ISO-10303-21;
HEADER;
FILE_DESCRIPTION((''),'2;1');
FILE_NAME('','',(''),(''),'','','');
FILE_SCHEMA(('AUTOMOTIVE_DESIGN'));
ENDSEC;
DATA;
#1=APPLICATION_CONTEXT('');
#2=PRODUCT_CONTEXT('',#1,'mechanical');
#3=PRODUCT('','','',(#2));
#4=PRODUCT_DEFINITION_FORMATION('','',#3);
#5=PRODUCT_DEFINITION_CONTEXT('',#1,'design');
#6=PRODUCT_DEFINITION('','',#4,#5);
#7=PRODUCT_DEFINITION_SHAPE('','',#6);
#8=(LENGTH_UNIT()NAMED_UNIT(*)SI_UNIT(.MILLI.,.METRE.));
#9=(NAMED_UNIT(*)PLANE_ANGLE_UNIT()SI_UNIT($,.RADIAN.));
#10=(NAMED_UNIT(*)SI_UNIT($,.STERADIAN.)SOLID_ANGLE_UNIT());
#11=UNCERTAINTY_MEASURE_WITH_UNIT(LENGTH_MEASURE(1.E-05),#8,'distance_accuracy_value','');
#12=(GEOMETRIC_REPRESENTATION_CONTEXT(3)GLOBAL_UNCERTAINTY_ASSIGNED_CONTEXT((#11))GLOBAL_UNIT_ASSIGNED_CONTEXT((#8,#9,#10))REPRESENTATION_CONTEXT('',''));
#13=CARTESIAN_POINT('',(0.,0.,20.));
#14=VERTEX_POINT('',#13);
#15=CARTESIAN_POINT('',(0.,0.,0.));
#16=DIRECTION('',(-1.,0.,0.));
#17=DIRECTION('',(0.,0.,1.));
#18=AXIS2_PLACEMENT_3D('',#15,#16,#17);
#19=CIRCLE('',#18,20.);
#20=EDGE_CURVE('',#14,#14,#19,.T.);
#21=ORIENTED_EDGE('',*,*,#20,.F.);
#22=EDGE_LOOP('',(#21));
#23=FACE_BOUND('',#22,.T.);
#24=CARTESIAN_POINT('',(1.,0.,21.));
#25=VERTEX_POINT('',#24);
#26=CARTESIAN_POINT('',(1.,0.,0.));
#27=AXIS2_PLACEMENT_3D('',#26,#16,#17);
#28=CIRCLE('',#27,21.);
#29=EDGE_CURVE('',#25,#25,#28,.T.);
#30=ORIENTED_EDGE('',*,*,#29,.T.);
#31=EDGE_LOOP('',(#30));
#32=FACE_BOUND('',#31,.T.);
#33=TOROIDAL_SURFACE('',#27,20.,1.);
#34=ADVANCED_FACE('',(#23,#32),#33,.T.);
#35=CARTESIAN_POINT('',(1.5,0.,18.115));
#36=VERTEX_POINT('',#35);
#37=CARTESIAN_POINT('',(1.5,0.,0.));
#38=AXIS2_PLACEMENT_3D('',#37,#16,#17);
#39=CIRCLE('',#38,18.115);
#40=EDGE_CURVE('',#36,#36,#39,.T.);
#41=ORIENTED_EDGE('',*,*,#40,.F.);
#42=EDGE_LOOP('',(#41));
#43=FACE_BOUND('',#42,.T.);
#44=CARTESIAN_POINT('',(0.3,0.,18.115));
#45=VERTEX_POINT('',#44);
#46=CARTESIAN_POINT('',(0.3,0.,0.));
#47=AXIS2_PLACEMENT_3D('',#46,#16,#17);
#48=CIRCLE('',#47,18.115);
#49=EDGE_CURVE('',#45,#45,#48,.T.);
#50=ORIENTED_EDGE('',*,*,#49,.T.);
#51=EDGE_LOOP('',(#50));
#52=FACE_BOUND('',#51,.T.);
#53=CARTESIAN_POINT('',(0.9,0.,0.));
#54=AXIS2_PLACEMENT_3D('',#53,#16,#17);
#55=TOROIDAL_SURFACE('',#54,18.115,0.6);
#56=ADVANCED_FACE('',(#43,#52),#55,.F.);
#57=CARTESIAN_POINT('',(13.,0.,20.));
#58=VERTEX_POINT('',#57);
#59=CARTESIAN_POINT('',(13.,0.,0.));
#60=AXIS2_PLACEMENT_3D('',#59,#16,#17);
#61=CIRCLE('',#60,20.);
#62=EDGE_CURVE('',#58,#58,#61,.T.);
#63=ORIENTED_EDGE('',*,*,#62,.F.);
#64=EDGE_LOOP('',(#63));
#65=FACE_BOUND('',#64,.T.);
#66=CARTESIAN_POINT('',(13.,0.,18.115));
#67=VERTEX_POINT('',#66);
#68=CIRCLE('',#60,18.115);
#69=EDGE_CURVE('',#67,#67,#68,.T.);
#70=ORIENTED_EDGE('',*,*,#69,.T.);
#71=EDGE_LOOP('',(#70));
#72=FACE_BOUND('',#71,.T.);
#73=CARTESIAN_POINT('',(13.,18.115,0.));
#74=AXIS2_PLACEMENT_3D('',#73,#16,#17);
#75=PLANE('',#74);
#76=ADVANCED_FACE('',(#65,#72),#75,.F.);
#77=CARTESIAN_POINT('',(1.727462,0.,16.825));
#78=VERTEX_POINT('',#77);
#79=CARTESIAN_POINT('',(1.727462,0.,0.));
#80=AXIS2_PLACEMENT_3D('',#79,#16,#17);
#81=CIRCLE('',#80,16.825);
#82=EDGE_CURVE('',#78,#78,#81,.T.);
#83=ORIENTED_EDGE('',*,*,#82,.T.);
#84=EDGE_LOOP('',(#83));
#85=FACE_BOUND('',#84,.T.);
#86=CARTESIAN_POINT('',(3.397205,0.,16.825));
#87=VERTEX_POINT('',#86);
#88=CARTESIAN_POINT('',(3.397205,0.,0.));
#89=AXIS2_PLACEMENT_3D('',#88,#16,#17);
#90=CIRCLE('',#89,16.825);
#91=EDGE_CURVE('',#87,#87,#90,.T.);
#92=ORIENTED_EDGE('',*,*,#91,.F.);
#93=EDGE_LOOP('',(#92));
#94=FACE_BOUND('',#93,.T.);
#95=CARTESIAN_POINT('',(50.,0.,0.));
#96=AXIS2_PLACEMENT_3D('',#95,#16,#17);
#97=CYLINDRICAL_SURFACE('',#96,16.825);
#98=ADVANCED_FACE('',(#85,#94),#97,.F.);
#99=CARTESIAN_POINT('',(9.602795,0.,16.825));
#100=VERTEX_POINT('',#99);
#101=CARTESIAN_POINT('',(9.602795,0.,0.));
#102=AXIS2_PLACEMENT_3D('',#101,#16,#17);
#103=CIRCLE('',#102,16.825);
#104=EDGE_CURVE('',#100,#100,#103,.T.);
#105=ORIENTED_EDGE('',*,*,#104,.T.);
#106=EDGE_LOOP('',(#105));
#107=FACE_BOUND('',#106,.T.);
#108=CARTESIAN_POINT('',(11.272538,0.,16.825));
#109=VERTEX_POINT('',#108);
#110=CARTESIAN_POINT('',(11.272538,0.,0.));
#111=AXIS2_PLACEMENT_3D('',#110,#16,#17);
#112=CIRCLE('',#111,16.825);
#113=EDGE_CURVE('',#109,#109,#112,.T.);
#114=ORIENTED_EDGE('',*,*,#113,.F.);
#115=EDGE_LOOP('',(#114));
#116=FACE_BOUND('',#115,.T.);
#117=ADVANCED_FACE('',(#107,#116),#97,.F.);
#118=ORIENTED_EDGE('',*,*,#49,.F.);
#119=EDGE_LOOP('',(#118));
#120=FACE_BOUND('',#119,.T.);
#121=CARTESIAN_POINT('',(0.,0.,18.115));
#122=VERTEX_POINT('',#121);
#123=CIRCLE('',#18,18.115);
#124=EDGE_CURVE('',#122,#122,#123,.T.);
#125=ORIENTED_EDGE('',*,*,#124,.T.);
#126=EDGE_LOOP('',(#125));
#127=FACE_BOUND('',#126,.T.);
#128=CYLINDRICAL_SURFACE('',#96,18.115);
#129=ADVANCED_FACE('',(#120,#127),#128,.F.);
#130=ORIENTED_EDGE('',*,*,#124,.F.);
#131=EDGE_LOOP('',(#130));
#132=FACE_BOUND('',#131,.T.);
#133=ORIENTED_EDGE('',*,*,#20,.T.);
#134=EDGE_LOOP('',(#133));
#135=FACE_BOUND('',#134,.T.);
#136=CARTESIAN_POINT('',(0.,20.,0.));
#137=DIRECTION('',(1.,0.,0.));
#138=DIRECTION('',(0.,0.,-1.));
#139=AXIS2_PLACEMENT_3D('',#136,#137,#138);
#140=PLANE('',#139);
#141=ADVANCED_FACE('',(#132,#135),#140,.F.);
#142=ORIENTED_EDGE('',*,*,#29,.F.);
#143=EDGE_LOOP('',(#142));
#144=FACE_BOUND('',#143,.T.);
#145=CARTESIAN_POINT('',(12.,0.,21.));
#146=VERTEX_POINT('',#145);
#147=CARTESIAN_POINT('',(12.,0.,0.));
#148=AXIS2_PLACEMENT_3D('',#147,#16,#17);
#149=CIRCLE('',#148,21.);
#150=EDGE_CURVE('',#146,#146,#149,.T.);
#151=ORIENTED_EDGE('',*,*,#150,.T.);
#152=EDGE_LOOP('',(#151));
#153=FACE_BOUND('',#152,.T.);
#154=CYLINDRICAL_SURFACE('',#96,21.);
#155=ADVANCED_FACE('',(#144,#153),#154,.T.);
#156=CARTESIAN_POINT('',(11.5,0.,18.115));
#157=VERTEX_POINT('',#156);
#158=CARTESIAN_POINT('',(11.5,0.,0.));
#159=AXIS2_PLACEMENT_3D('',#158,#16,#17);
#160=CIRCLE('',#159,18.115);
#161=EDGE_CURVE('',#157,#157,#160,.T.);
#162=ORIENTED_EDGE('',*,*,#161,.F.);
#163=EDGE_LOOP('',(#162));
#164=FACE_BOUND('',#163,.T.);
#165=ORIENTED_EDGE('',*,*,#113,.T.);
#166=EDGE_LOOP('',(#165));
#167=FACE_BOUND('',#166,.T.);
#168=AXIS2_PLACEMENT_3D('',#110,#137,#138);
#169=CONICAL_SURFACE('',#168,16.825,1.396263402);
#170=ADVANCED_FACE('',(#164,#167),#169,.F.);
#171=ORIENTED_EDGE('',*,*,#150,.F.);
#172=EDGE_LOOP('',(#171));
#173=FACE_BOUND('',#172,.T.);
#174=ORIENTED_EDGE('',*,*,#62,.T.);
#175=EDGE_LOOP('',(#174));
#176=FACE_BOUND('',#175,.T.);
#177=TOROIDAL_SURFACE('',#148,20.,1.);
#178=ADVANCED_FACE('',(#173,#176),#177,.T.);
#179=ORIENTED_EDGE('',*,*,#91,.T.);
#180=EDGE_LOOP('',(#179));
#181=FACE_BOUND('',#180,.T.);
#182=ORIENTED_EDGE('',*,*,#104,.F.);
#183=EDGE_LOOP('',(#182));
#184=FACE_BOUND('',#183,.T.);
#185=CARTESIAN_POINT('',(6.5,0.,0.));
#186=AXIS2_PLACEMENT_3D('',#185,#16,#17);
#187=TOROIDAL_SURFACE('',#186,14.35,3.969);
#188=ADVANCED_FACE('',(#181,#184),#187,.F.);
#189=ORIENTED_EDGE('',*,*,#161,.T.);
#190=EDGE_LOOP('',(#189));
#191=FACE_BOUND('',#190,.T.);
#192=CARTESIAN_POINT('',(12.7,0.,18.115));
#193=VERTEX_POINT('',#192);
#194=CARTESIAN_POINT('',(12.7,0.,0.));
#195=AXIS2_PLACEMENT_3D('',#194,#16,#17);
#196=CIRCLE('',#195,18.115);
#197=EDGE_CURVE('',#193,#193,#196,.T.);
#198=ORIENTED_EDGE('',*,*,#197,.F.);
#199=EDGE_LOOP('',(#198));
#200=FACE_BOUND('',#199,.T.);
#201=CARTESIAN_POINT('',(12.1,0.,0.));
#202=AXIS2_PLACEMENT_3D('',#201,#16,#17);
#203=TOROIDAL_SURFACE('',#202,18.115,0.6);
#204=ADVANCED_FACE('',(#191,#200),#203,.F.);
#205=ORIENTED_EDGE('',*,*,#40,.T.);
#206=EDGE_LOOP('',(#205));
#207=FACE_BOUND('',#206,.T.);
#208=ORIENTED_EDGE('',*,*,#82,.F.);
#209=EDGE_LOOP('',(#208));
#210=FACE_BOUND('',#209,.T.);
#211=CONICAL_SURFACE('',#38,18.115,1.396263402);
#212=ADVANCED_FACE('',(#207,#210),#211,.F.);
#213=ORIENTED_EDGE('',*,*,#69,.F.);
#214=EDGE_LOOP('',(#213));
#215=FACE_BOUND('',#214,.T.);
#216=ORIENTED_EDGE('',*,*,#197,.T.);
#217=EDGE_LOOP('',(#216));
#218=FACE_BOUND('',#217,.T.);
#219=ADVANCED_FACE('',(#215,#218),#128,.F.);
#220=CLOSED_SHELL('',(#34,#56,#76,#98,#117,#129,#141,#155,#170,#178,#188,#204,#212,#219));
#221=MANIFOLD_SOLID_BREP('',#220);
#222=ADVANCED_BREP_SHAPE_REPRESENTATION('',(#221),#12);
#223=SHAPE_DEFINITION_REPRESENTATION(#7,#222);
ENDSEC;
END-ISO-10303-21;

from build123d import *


with BuildPart() as part:
    # Sketch1 → Revolução1 (revolve)
    with BuildSketch(Plane.XY, mode=Mode.PRIVATE) as revolu_o1_sk:
        with BuildLine():
            Line((0, 18.115), (0.3, 18.115))
            ThreePointArc((0.3, 18.115), (0.9, 18.715), (1.5, 18.115))
            Line((1.5, 18.115), (1.727461805, 16.825))
            Line((1.727461805, 16.825), (3.397205131, 16.825))
            ThreePointArc((3.397205131, 16.825), (6.5, 18.319), (9.602794869, 16.825))
            Line((9.602794869, 16.825), (11.272538195, 16.825))
            Line((11.272538195, 16.825), (11.5, 18.115))
            ThreePointArc((11.5, 18.115), (12.1, 18.715), (12.7, 18.115))
            Line((12.7, 18.115), (13, 18.115))
            Line((13, 18.115), (13, 20))
            ThreePointArc((13, 20), (12.707106781, 20.707106781), (12, 21))
            Line((12, 21), (1, 21))
            ThreePointArc((1, 21), (0.292893219, 20.707106781), (0, 20))
            Line((0, 20), (0, 18.115))
        make_face()
    revolve(revolu_o1_sk.sketch.rotate(Axis((50, 0, 0), (-1, 0, 0)), 270), axis=Axis((50, 0, 0), (-1, 0, 0)))


solid = part.part
